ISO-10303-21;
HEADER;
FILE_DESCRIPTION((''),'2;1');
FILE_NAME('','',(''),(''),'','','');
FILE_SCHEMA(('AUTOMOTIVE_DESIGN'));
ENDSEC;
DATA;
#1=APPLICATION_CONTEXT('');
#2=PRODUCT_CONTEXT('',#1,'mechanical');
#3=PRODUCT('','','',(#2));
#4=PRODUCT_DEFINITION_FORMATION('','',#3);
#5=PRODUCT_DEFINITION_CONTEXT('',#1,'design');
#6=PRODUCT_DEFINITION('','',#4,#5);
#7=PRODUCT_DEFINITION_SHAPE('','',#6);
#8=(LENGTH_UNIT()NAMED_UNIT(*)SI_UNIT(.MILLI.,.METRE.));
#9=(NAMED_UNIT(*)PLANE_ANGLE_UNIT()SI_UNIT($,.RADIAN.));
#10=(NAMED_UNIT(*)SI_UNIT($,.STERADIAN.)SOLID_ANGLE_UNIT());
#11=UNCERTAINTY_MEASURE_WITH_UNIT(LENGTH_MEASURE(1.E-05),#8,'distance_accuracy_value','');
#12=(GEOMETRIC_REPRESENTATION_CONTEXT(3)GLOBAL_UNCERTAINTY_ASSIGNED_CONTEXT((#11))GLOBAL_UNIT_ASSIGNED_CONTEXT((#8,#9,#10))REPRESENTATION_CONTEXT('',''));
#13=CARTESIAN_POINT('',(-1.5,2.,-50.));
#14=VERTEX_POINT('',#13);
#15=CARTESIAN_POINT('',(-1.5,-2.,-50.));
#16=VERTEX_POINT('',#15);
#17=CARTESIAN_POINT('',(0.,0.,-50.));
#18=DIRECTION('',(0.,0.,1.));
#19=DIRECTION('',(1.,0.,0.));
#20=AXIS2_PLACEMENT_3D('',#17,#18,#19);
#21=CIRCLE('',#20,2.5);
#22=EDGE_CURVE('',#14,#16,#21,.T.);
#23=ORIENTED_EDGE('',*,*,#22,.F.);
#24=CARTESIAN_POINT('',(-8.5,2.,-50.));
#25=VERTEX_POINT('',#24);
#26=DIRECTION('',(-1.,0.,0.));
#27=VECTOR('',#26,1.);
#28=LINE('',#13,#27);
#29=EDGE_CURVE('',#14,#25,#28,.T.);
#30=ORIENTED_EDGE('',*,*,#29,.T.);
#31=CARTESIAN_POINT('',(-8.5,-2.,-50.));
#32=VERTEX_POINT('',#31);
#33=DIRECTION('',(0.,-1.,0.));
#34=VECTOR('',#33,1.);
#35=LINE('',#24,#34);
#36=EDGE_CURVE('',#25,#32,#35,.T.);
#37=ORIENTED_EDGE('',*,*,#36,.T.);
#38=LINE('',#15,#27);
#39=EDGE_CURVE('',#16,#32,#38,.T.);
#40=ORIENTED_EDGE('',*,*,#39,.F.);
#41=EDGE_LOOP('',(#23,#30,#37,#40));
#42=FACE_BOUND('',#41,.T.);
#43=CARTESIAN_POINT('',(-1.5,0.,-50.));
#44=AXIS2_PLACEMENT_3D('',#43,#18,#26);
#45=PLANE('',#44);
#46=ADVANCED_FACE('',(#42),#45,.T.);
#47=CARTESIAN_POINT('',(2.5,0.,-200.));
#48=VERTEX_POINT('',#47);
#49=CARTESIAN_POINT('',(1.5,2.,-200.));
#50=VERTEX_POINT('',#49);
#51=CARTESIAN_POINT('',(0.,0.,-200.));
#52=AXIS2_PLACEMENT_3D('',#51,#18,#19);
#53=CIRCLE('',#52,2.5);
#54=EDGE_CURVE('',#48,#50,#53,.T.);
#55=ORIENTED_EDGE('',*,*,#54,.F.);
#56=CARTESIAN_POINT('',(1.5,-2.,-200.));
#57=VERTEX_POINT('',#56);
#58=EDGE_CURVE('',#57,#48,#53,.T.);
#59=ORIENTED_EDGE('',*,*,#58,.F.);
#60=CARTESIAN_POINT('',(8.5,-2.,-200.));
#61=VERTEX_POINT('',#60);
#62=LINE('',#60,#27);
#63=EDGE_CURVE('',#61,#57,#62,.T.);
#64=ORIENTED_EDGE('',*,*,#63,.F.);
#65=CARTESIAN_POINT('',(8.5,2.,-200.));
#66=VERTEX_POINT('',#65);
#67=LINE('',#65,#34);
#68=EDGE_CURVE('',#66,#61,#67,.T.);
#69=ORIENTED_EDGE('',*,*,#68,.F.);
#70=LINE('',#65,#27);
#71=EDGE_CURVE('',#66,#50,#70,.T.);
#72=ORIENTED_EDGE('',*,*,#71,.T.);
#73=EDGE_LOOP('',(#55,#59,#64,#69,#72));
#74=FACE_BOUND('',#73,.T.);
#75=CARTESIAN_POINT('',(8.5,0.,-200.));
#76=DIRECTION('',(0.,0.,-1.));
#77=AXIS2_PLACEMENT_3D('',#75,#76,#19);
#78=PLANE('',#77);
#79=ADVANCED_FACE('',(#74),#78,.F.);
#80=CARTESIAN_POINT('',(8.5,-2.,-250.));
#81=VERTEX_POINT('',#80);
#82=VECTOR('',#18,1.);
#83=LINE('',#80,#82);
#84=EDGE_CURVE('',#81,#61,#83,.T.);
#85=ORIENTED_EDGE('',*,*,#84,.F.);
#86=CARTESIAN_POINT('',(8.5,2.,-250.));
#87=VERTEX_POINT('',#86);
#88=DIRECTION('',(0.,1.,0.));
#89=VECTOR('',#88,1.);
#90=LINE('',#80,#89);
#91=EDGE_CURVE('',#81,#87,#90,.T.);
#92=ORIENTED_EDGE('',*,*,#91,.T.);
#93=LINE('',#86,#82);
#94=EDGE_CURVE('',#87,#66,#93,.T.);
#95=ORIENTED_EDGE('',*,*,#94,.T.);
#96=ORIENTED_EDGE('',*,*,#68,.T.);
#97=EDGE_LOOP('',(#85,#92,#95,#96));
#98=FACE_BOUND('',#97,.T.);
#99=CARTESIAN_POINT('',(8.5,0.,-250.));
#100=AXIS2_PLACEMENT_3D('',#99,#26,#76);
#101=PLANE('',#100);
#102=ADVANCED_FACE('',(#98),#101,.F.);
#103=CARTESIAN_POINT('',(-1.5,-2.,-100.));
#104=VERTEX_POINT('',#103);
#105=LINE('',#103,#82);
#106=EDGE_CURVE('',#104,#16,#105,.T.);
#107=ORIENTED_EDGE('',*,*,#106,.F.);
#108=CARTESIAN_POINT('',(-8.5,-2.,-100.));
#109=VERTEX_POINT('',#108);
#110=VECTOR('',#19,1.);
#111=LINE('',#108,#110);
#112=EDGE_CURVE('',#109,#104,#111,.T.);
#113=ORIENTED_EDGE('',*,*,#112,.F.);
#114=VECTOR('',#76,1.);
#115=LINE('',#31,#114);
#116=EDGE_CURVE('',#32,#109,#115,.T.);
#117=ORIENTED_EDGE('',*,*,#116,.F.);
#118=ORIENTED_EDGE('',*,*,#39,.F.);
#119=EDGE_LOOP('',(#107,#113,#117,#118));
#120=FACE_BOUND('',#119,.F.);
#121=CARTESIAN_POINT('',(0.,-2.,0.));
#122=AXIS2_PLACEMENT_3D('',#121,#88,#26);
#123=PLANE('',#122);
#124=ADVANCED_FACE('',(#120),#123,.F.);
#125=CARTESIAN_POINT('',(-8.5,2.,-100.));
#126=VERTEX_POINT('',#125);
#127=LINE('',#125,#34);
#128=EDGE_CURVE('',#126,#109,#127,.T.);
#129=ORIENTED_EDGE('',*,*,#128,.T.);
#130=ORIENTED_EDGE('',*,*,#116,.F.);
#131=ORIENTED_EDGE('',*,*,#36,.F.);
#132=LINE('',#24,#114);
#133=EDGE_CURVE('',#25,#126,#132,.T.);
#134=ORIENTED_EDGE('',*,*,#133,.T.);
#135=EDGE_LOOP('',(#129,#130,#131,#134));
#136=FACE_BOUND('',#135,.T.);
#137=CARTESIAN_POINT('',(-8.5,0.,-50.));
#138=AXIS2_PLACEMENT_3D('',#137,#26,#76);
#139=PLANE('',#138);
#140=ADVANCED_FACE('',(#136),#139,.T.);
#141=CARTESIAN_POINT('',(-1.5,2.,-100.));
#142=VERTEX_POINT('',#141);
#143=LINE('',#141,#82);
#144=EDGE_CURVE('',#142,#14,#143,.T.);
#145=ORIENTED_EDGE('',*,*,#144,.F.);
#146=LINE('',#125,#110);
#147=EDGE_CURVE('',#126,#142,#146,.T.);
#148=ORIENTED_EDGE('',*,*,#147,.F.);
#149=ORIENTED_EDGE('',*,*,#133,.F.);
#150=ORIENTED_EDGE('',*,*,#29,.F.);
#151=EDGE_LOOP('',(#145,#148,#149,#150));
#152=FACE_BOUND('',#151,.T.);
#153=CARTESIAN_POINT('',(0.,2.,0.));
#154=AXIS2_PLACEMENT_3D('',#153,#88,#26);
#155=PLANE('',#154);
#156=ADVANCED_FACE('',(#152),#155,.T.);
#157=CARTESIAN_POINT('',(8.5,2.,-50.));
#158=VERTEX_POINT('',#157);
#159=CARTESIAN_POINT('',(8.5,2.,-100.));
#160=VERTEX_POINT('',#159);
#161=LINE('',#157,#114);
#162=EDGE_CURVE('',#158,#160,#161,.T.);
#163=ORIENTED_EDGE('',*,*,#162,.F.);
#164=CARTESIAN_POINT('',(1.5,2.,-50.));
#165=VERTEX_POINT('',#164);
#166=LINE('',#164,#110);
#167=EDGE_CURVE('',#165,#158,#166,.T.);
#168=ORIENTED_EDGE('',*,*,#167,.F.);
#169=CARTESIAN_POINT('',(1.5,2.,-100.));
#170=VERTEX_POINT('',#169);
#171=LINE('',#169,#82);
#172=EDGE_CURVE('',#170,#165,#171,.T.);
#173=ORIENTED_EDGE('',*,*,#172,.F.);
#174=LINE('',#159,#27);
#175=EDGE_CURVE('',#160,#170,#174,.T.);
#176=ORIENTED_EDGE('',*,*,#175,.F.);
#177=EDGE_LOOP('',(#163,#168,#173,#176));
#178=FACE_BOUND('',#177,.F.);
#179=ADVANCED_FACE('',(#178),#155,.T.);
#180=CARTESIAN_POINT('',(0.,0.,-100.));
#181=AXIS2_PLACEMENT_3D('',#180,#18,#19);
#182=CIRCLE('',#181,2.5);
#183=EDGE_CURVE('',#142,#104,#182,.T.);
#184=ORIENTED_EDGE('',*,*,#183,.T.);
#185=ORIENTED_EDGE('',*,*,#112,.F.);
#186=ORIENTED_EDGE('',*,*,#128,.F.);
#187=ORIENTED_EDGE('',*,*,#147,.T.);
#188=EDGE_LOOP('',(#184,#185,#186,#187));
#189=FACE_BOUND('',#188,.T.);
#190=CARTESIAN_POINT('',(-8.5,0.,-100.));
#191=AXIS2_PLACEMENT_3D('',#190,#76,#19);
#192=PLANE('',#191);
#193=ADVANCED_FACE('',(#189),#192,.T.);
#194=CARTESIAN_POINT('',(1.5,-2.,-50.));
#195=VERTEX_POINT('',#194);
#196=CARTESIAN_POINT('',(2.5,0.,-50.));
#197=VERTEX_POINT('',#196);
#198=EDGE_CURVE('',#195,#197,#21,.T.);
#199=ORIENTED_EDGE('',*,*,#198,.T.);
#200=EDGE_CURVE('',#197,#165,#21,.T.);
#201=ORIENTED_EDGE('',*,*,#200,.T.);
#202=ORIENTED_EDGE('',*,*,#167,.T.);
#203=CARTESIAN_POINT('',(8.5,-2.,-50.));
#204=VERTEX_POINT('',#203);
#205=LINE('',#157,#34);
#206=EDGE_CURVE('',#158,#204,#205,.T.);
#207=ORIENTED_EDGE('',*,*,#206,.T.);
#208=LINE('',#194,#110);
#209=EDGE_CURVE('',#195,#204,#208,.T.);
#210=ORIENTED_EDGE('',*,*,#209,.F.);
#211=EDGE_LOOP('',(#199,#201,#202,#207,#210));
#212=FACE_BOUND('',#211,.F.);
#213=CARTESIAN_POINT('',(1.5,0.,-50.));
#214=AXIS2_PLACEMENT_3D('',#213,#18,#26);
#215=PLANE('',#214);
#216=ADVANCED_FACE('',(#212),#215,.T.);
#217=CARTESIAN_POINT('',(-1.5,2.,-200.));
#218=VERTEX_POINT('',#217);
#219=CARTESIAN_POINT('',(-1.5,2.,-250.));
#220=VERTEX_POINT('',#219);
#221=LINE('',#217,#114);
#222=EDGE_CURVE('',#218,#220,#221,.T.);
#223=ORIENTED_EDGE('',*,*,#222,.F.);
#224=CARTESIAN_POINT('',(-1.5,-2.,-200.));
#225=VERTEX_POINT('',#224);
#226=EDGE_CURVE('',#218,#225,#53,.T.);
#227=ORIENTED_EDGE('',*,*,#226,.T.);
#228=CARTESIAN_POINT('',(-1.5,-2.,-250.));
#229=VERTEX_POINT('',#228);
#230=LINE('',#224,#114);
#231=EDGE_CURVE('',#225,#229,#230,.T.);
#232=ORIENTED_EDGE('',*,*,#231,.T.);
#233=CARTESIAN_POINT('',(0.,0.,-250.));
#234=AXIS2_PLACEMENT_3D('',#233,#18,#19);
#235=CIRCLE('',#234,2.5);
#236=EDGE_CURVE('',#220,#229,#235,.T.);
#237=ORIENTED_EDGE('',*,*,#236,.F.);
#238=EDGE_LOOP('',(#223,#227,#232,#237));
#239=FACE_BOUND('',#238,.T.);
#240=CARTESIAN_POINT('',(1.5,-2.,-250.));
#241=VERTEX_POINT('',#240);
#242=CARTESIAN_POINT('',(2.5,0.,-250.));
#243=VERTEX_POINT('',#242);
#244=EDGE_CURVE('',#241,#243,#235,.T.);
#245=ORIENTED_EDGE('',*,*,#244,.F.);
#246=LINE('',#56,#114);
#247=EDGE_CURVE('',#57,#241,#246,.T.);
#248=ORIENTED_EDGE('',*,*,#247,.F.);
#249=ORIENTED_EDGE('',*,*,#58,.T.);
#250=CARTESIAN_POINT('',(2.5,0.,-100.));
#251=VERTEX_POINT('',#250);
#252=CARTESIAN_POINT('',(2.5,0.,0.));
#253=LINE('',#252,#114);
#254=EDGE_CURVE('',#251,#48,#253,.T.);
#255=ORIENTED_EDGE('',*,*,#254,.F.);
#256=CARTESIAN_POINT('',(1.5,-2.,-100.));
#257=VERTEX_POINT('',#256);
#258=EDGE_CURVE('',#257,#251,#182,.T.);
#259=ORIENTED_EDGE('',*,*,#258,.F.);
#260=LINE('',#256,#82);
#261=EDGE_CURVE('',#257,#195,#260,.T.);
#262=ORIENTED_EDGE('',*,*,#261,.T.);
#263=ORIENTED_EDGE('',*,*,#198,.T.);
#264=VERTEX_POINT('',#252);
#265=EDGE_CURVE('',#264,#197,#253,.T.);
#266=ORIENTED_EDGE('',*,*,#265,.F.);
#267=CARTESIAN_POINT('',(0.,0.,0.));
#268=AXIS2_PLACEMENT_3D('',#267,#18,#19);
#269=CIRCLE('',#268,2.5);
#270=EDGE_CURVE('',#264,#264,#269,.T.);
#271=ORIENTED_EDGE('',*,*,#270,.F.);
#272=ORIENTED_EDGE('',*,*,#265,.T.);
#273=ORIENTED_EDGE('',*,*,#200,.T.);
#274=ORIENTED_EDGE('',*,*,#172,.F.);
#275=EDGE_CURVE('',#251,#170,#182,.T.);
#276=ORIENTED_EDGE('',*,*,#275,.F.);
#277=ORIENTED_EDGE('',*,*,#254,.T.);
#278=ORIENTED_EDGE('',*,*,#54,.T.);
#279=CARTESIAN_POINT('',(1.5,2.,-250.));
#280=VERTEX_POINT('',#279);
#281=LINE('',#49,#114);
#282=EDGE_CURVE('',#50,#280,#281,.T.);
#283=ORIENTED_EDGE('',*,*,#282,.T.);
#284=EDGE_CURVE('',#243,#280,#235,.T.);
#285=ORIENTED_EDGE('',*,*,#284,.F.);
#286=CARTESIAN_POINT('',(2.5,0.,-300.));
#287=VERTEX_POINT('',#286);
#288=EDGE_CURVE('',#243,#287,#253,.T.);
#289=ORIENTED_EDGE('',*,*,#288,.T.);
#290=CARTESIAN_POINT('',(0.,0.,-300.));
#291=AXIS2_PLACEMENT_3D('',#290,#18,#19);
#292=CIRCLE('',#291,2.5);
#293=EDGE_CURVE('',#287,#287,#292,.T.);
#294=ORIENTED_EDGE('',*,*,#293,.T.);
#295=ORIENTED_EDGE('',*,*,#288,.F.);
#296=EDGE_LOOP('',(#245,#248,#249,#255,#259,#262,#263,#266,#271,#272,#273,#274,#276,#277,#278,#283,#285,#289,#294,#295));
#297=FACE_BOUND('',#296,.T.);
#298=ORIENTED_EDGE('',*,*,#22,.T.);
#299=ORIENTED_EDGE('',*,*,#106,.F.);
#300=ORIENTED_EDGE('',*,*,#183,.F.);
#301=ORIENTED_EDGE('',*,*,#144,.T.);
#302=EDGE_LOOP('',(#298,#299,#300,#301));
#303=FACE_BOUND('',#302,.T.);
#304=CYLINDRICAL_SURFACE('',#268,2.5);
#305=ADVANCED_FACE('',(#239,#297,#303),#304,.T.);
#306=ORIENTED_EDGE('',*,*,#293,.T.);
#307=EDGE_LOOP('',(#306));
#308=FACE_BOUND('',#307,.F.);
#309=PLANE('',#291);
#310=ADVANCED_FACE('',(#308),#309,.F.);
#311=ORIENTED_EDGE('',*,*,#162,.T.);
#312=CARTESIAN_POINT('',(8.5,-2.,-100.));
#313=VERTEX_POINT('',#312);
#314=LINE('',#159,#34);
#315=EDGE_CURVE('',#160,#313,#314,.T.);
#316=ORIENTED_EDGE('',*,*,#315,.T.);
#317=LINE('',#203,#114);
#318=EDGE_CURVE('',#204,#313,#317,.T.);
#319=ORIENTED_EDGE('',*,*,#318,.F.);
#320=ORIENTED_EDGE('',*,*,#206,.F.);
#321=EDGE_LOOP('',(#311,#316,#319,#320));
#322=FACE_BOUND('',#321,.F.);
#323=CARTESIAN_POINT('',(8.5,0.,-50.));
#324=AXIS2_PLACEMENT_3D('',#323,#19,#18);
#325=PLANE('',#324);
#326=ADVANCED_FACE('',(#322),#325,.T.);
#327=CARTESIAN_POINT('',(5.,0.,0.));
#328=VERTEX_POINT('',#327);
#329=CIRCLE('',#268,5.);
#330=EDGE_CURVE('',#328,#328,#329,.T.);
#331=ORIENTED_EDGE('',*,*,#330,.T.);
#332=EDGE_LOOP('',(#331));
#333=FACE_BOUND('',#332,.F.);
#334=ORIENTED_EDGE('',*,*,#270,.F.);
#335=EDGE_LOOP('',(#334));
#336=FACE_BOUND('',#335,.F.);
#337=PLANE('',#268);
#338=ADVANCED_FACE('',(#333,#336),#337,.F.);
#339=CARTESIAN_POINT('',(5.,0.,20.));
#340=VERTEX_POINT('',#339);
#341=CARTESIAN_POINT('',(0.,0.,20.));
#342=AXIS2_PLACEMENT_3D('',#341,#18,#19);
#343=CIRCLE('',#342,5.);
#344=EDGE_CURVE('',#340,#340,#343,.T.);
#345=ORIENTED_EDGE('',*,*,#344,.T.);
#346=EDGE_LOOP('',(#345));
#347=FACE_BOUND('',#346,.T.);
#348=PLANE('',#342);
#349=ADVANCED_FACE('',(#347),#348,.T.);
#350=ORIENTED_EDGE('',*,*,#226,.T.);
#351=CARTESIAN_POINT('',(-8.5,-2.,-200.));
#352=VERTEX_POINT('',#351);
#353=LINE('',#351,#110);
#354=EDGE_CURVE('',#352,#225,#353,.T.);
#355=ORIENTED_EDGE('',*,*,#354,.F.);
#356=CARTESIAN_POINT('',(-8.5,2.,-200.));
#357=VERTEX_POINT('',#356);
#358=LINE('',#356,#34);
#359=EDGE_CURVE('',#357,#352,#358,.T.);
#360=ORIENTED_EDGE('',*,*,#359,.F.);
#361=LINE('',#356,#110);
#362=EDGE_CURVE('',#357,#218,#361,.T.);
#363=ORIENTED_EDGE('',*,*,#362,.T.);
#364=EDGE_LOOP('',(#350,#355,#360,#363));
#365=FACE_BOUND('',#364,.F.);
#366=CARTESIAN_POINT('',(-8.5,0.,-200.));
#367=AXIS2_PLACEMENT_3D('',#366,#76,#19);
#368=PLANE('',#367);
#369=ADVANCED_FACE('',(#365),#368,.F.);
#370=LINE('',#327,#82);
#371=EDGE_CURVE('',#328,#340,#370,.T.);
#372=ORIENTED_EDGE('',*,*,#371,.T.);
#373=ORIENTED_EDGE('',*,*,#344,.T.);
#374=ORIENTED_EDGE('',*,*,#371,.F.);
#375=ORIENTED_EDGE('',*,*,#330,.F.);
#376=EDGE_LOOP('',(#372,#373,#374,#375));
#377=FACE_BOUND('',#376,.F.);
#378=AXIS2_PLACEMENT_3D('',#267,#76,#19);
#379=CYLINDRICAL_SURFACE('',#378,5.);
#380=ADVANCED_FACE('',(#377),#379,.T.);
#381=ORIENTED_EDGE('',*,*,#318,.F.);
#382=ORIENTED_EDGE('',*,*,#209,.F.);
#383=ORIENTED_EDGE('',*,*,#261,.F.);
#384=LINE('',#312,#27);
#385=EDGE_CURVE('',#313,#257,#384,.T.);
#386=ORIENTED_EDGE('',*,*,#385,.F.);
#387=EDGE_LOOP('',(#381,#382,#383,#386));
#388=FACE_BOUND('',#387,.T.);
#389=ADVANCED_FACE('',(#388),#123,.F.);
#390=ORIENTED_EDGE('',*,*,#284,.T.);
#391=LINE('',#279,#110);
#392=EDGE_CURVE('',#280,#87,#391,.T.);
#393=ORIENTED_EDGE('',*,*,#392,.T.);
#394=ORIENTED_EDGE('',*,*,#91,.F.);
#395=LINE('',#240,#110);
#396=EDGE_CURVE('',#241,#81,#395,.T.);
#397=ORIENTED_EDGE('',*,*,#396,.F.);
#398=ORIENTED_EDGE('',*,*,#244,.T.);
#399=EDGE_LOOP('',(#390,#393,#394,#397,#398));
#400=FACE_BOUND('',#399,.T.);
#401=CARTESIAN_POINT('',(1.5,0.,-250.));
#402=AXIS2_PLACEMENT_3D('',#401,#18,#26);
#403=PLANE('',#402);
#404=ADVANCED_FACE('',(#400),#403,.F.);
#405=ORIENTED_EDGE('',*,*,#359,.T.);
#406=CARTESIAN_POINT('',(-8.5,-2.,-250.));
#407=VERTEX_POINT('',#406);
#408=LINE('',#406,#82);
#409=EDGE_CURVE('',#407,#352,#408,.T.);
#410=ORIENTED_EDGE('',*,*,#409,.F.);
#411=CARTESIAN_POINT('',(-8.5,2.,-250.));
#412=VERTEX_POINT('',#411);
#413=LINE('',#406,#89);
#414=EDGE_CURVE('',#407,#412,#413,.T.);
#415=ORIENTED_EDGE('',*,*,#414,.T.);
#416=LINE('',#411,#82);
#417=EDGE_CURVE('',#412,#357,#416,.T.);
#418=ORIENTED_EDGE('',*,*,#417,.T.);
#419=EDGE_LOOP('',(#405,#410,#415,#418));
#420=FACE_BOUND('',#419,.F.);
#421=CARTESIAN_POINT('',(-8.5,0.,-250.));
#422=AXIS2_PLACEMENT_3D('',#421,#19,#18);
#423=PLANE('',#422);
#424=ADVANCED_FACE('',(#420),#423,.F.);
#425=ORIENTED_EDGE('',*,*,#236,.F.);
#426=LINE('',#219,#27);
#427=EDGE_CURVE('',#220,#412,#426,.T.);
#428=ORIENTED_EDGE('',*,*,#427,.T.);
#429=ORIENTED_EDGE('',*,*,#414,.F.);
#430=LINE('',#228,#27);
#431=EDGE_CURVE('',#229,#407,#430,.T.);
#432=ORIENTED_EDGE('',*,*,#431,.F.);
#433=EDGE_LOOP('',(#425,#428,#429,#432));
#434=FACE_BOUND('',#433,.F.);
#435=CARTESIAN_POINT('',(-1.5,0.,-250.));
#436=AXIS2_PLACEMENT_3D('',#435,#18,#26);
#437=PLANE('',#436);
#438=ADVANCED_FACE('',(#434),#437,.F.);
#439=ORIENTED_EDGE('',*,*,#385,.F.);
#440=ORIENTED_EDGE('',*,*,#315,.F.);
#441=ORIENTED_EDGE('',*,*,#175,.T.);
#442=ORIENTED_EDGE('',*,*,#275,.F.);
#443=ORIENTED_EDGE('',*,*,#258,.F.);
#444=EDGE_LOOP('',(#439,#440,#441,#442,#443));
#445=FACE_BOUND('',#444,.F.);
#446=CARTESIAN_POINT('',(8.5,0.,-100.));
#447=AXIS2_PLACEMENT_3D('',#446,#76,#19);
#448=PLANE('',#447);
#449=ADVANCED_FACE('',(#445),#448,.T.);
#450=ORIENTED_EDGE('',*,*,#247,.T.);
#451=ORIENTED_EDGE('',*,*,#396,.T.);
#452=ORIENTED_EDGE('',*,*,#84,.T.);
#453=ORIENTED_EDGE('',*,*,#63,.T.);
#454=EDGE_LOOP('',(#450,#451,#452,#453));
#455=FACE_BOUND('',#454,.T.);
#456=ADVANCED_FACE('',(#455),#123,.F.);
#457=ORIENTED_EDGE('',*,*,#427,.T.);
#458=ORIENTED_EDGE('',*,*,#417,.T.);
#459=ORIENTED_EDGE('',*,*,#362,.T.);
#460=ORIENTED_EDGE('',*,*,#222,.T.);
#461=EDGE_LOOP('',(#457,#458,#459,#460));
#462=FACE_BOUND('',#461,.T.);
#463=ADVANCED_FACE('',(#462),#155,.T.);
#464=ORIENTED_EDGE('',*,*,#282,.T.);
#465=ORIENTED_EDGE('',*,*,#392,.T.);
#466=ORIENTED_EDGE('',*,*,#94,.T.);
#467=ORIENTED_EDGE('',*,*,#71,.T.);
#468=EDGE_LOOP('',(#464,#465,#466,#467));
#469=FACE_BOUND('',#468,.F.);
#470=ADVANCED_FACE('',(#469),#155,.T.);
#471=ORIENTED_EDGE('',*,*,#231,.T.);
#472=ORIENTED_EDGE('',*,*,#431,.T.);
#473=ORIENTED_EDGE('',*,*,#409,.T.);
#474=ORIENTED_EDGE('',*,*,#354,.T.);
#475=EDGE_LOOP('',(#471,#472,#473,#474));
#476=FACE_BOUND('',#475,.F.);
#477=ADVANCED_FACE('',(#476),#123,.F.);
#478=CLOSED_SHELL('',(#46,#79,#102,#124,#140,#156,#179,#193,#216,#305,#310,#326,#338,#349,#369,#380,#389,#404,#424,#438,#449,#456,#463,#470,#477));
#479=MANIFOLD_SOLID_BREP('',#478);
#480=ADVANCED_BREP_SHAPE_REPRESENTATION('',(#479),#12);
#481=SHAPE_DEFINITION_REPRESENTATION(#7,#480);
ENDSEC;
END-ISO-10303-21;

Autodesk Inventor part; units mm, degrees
ref_plane "YZ Plane" through (0, 0, 0) normal (1, 0, 0) x (0, 1, 0)
ref_plane "XZ Plane" through (0, 0, 0) normal (0, 1, 0) x (-1, 0, 0)
ref_plane "XY Plane" through (0, 0, 0) normal (0, 0, 1) x (1, 0, 0)
sketch "Sketch1" plane through (0, 0, 0) normal (0, 0, 1) x (1, 0, 0)
  circle A0 centre (0, 0) radius 2.5
  dimension "d0" = 5
extrude "Extrusion1" add sketch "Sketch1" against normal blind 300
sketch "Sketch2" plane through (0, 0, 0) normal (0, 1, 0) x (-1, 0, 0)
  line L0 (1.5, -50) -> (8.5, -50)
  line L1 (8.5, -50) -> (8.5, -100)
  line L2 (8.5, -100) -> (1.5, -100)
  line L3 (1.5, -100) -> (1.5, -50)
  line L4 (1.5, -250) -> (8.5, -250)
  line L5 (8.5, -250) -> (8.5, -200)
  line L6 (8.5, -200) -> (1.5, -200)
  line L7 (1.5, -200) -> (1.5, -250)
  point P0 (0, 0)
  dimension "d3" = 7
  dimension "d4" = 50
  dimension "d5" = 7
  dimension "d6" = 50
  dimension "d7" = 0
  dimension "d8" = 150
  dimension "d9" = 8.5
  dimension "d10" = 50
extrude "Extrusion2" add sketch "Sketch2" along normal mid plane 4
mirror "Mirror1" about plane through (0, 0, 0) normal (1, 0, 0) of "Extrusion2"
sketch "Sketch3" plane through (0, 0, 0) normal (0, 0, 1) x (1, 0, 0)
  circle A0 centre (0, 0) radius 5
  dimension "d13" = 10
extrude "Extrusion3" add sketch "Sketch3" along normal blind 20
properties part number "Rod"
